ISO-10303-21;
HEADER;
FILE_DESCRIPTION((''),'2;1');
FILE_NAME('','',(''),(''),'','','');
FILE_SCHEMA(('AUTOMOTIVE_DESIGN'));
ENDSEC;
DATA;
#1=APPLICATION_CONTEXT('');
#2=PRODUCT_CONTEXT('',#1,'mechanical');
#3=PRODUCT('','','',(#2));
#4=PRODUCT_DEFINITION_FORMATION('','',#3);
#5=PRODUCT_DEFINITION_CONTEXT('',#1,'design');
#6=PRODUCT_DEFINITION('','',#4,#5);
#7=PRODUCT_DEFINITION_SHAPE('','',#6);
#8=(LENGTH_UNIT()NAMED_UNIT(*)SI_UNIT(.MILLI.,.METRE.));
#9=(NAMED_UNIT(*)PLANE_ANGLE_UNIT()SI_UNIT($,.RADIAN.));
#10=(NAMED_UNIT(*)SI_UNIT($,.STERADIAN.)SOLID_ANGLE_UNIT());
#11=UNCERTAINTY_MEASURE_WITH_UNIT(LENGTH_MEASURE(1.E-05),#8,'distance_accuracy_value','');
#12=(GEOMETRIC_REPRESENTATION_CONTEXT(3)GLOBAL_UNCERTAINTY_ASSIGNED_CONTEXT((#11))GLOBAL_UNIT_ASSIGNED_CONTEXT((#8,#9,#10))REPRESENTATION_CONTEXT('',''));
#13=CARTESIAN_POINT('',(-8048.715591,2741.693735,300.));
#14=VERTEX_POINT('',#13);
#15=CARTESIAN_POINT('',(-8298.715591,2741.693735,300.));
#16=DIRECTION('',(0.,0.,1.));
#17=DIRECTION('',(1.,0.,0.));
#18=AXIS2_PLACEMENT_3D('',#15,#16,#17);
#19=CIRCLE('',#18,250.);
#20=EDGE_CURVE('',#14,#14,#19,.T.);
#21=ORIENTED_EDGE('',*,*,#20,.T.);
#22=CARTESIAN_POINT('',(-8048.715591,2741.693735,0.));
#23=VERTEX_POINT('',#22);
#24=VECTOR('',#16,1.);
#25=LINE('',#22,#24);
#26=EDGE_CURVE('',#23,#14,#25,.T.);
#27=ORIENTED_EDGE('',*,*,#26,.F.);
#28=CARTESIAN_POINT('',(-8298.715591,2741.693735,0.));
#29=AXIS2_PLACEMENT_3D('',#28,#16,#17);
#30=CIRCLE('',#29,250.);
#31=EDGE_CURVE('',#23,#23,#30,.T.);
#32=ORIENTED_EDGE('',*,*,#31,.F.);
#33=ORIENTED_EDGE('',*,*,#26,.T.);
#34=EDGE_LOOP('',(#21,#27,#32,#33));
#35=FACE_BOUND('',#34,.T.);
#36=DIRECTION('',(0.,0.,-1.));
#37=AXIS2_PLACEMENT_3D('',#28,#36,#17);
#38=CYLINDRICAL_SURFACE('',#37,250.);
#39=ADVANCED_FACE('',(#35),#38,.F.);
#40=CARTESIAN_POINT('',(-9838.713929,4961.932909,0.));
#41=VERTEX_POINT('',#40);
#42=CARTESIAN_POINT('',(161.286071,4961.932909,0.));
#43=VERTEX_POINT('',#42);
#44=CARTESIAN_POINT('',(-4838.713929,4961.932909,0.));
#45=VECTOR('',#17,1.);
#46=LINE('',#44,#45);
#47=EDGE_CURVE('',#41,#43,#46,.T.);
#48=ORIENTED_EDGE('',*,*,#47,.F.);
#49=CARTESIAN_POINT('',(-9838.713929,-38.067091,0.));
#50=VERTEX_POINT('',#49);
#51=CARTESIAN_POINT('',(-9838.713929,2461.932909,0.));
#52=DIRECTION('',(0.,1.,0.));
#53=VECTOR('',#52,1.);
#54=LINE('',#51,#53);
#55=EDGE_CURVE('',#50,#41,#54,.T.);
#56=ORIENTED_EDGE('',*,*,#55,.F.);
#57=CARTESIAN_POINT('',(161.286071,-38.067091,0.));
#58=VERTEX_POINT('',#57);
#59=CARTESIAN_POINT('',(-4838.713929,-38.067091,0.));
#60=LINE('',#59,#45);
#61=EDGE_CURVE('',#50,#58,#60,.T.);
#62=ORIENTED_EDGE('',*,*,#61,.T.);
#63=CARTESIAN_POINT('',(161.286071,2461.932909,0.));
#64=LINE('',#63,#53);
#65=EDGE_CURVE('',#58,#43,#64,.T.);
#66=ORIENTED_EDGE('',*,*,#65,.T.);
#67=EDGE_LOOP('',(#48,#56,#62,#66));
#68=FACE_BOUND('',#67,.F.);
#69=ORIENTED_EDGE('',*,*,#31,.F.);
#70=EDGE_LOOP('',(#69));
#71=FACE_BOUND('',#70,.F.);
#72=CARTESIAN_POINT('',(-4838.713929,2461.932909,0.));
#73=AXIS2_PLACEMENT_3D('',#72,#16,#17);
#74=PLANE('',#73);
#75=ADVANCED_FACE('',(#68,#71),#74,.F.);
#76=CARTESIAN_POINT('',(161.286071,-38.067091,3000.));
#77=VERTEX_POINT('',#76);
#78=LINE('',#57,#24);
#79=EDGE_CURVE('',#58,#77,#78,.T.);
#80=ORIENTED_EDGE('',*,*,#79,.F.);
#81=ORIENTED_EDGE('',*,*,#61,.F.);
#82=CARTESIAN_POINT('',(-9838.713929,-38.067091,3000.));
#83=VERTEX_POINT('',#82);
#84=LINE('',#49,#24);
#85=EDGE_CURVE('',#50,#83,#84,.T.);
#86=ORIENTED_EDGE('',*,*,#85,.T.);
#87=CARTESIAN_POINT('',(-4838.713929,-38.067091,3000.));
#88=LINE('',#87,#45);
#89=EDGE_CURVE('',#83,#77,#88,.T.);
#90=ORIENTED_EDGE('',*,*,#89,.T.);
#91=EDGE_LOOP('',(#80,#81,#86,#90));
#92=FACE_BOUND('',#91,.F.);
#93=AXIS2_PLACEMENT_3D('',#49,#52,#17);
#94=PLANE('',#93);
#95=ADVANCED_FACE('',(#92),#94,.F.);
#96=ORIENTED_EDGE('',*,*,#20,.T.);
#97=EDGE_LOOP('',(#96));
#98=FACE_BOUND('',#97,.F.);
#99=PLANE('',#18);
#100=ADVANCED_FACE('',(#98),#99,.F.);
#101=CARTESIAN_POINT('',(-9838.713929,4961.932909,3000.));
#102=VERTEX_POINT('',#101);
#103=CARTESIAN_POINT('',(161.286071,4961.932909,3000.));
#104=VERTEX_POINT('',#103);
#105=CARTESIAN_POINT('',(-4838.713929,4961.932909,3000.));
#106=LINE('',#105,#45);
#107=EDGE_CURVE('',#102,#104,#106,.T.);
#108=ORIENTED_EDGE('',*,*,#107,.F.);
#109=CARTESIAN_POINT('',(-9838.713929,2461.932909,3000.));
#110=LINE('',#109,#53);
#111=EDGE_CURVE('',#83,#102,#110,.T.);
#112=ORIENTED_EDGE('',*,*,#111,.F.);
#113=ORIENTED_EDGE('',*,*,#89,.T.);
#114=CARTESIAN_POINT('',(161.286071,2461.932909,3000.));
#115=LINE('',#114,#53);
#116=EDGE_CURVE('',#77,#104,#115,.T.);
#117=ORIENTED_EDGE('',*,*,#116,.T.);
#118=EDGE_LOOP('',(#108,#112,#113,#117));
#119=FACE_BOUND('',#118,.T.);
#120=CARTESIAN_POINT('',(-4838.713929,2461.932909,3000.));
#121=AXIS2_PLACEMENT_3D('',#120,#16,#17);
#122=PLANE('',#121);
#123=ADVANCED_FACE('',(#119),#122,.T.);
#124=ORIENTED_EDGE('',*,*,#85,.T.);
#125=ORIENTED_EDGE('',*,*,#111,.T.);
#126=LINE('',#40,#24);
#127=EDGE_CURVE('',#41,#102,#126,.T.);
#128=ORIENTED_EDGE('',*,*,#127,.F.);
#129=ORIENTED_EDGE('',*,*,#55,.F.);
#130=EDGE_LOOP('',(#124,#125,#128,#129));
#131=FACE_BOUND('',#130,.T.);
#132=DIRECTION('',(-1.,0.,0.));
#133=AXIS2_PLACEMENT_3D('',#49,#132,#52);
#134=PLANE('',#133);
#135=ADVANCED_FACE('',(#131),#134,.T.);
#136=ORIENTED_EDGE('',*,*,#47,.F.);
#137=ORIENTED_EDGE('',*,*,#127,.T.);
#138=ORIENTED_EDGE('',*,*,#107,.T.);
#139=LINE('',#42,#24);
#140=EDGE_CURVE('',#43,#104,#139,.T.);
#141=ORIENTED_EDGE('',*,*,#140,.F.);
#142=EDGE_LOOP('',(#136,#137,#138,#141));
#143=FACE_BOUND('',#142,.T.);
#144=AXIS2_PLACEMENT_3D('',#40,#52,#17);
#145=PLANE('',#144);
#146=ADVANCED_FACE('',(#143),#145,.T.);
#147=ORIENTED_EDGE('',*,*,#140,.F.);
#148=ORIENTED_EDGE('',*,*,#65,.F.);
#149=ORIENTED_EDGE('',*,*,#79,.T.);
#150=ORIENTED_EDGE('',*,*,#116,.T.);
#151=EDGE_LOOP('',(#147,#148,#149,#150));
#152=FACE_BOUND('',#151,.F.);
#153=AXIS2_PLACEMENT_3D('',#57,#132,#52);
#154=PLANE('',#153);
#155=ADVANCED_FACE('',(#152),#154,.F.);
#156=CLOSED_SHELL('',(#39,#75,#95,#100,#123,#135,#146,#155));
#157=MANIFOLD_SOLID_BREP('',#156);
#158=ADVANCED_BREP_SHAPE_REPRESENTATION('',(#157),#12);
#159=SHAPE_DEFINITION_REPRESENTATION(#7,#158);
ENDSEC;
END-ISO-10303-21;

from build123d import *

# Parameters (mm, degrees)
F0_W     = 10000
F0_H     = 5000
F0_R     = 250
F1_DEPTH = 3000
F2_DEPTH = 300


with BuildPart() as f1:
    # F0 (on Top) → F1 (new body)
    with BuildSketch(Plane.XY):
        with Locations((-4838.713929, 2461.932909)):
            Rectangle(F0_W, F0_H)
        with Locations((-8298.715591, 2741.693735)):
            Circle(F0_R, mode=Mode.SUBTRACT)
        with Locations((-8298.715591, 2741.693735)):
            Circle(F0_R)
    extrude(amount=F1_DEPTH)

    # F0 (on Top) → F2 (cut)
    with BuildSketch(Plane.XY):
        with Locations((-8298.715591, 2741.693735)):
            Circle(F0_R)
    extrude(amount=F2_DEPTH, mode=Mode.SUBTRACT)


solid = f1.part
